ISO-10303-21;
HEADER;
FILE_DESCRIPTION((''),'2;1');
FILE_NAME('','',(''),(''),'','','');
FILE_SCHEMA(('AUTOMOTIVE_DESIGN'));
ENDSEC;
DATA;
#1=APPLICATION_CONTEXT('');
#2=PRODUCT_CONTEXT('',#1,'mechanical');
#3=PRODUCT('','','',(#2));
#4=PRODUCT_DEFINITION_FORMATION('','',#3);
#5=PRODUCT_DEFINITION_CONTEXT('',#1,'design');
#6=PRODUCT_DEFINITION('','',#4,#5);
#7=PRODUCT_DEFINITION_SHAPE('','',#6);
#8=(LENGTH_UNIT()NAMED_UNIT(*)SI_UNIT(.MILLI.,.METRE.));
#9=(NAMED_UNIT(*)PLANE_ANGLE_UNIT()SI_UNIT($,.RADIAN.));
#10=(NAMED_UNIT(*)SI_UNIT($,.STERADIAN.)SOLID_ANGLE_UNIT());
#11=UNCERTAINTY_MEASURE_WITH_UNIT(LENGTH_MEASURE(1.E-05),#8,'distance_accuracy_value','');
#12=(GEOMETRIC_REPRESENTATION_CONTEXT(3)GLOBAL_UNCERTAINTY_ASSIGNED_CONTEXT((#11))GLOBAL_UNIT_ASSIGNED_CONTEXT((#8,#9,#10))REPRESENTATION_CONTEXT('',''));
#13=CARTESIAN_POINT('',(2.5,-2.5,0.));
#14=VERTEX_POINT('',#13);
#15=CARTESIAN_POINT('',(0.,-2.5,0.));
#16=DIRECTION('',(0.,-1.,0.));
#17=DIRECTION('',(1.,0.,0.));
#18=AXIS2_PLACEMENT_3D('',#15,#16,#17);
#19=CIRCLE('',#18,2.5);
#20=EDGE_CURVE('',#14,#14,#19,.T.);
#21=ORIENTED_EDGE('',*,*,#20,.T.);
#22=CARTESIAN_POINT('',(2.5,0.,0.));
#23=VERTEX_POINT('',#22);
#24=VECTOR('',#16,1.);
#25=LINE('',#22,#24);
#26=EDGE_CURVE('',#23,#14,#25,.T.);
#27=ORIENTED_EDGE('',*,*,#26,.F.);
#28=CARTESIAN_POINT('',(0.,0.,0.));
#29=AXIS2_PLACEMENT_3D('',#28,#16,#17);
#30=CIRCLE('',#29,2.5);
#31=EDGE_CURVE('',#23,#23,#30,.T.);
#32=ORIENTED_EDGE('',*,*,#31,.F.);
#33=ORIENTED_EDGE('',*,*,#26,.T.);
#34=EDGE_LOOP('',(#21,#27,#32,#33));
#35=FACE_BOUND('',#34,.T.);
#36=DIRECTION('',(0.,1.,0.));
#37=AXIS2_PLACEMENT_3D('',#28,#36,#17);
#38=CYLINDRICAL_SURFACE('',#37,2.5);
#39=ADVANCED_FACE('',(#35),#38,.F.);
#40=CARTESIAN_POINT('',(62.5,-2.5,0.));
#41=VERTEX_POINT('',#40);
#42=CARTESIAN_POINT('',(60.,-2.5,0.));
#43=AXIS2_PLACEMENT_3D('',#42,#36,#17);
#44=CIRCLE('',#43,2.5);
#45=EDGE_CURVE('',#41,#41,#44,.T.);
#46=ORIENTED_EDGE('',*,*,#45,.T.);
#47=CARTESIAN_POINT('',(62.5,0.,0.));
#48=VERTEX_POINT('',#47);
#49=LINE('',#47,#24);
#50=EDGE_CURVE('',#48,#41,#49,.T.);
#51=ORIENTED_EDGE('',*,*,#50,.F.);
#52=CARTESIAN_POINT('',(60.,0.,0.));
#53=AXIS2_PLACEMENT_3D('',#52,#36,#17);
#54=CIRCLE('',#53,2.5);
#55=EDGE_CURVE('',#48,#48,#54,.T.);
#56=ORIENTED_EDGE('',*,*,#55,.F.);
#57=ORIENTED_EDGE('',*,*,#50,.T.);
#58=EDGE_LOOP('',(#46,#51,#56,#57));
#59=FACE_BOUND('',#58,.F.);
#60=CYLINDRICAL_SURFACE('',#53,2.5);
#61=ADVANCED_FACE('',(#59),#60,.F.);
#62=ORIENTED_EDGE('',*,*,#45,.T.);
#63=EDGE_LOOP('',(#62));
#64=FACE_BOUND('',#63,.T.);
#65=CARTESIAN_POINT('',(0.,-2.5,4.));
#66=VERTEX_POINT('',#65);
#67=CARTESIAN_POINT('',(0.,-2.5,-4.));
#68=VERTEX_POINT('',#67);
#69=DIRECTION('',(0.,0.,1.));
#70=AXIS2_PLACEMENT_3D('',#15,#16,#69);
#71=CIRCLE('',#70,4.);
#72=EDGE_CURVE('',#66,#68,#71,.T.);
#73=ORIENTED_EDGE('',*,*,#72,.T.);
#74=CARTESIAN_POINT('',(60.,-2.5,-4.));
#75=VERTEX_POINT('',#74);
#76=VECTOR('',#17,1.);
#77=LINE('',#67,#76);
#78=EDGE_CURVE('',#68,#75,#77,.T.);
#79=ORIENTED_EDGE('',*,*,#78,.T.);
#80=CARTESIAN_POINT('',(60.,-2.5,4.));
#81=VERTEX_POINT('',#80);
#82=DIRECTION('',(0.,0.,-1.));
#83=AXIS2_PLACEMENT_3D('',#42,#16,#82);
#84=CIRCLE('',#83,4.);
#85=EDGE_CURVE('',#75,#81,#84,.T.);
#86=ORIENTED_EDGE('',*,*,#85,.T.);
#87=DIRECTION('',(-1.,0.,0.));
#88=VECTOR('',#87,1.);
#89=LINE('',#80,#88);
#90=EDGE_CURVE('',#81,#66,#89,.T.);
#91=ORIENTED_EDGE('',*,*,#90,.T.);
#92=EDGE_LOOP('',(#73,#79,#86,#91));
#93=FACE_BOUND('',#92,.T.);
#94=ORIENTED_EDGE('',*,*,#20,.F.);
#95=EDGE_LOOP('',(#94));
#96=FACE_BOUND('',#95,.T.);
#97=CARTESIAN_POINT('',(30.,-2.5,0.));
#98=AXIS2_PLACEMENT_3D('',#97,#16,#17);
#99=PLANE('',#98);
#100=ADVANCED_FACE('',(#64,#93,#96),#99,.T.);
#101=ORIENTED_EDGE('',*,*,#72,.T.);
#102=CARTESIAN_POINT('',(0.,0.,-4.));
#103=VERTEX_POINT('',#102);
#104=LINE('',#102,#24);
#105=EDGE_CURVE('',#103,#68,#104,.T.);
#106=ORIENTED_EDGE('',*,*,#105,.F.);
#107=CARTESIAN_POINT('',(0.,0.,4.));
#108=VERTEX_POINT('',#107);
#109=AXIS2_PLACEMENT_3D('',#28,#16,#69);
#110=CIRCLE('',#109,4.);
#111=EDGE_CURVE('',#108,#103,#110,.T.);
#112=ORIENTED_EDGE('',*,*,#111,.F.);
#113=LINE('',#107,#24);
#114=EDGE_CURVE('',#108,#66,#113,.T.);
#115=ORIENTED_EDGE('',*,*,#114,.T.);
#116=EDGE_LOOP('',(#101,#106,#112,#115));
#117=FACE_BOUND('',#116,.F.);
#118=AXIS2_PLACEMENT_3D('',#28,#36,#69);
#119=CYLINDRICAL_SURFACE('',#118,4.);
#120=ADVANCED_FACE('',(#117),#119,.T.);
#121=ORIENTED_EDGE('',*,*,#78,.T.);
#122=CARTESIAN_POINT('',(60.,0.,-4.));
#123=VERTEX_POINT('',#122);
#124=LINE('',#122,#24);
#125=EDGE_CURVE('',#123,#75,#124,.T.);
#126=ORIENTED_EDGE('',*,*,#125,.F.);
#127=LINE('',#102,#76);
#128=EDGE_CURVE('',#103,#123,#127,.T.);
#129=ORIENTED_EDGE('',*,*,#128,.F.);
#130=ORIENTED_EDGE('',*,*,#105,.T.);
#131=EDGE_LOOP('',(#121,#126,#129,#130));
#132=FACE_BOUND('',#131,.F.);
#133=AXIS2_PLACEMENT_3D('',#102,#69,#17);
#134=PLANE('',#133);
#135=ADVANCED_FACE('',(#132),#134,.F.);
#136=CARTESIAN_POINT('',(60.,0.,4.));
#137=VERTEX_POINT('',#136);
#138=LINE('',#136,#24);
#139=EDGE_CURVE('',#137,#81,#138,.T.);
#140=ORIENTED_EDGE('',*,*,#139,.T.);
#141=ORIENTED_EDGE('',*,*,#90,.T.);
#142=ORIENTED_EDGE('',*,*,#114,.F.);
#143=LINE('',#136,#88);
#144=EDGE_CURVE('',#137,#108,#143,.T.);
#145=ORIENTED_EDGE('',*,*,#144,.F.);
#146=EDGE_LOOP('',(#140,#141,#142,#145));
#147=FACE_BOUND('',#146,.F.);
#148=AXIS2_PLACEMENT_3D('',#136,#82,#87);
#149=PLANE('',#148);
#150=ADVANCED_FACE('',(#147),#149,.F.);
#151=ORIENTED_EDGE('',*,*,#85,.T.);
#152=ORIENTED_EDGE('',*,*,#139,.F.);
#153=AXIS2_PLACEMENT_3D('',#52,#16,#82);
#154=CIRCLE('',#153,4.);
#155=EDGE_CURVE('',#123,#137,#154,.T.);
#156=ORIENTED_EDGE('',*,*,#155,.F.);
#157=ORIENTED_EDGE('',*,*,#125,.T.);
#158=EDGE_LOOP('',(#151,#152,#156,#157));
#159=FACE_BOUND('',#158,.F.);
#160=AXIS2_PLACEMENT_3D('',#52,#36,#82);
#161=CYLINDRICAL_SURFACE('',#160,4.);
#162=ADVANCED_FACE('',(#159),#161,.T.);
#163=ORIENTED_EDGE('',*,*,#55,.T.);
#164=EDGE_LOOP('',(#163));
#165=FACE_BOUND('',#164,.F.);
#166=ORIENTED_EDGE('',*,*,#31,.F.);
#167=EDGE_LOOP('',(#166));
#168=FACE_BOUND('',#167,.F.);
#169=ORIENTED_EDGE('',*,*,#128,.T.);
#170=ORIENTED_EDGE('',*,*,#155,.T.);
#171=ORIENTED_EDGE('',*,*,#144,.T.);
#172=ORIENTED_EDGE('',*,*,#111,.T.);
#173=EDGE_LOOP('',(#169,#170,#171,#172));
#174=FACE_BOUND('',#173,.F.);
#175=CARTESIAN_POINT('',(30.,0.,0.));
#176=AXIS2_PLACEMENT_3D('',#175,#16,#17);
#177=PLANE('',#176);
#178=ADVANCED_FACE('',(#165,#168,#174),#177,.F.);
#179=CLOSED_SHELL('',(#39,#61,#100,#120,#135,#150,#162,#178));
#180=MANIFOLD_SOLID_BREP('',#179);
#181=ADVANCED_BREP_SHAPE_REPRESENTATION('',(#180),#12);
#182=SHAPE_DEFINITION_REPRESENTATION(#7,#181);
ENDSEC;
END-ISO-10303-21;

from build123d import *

# Parameters (mm, degrees)
F0_R     = 2.5
F1_DEPTH = 2.5


with BuildPart() as f1:
    # F0 (on Front) → F1 (new body)
    with BuildSketch(Plane.XZ):
        with BuildLine():
            Line((60, 4), (0, 4))
            ThreePointArc((0, 4), (-4, 0), (0, -4))
            Line((0, -4), (60, -4))
            ThreePointArc((60, -4), (64, 0), (60, 4))
        make_face()
        Circle(F0_R, mode=Mode.SUBTRACT)
        with BuildLine():
            ThreePointArc((57.5, 0), (60, 2.5), (62.5, 0))
            ThreePointArc((62.5, 0), (60, -2.5), (57.5, 0))
        make_face(mode=Mode.SUBTRACT)
    extrude(amount=F1_DEPTH)


solid = f1.part
